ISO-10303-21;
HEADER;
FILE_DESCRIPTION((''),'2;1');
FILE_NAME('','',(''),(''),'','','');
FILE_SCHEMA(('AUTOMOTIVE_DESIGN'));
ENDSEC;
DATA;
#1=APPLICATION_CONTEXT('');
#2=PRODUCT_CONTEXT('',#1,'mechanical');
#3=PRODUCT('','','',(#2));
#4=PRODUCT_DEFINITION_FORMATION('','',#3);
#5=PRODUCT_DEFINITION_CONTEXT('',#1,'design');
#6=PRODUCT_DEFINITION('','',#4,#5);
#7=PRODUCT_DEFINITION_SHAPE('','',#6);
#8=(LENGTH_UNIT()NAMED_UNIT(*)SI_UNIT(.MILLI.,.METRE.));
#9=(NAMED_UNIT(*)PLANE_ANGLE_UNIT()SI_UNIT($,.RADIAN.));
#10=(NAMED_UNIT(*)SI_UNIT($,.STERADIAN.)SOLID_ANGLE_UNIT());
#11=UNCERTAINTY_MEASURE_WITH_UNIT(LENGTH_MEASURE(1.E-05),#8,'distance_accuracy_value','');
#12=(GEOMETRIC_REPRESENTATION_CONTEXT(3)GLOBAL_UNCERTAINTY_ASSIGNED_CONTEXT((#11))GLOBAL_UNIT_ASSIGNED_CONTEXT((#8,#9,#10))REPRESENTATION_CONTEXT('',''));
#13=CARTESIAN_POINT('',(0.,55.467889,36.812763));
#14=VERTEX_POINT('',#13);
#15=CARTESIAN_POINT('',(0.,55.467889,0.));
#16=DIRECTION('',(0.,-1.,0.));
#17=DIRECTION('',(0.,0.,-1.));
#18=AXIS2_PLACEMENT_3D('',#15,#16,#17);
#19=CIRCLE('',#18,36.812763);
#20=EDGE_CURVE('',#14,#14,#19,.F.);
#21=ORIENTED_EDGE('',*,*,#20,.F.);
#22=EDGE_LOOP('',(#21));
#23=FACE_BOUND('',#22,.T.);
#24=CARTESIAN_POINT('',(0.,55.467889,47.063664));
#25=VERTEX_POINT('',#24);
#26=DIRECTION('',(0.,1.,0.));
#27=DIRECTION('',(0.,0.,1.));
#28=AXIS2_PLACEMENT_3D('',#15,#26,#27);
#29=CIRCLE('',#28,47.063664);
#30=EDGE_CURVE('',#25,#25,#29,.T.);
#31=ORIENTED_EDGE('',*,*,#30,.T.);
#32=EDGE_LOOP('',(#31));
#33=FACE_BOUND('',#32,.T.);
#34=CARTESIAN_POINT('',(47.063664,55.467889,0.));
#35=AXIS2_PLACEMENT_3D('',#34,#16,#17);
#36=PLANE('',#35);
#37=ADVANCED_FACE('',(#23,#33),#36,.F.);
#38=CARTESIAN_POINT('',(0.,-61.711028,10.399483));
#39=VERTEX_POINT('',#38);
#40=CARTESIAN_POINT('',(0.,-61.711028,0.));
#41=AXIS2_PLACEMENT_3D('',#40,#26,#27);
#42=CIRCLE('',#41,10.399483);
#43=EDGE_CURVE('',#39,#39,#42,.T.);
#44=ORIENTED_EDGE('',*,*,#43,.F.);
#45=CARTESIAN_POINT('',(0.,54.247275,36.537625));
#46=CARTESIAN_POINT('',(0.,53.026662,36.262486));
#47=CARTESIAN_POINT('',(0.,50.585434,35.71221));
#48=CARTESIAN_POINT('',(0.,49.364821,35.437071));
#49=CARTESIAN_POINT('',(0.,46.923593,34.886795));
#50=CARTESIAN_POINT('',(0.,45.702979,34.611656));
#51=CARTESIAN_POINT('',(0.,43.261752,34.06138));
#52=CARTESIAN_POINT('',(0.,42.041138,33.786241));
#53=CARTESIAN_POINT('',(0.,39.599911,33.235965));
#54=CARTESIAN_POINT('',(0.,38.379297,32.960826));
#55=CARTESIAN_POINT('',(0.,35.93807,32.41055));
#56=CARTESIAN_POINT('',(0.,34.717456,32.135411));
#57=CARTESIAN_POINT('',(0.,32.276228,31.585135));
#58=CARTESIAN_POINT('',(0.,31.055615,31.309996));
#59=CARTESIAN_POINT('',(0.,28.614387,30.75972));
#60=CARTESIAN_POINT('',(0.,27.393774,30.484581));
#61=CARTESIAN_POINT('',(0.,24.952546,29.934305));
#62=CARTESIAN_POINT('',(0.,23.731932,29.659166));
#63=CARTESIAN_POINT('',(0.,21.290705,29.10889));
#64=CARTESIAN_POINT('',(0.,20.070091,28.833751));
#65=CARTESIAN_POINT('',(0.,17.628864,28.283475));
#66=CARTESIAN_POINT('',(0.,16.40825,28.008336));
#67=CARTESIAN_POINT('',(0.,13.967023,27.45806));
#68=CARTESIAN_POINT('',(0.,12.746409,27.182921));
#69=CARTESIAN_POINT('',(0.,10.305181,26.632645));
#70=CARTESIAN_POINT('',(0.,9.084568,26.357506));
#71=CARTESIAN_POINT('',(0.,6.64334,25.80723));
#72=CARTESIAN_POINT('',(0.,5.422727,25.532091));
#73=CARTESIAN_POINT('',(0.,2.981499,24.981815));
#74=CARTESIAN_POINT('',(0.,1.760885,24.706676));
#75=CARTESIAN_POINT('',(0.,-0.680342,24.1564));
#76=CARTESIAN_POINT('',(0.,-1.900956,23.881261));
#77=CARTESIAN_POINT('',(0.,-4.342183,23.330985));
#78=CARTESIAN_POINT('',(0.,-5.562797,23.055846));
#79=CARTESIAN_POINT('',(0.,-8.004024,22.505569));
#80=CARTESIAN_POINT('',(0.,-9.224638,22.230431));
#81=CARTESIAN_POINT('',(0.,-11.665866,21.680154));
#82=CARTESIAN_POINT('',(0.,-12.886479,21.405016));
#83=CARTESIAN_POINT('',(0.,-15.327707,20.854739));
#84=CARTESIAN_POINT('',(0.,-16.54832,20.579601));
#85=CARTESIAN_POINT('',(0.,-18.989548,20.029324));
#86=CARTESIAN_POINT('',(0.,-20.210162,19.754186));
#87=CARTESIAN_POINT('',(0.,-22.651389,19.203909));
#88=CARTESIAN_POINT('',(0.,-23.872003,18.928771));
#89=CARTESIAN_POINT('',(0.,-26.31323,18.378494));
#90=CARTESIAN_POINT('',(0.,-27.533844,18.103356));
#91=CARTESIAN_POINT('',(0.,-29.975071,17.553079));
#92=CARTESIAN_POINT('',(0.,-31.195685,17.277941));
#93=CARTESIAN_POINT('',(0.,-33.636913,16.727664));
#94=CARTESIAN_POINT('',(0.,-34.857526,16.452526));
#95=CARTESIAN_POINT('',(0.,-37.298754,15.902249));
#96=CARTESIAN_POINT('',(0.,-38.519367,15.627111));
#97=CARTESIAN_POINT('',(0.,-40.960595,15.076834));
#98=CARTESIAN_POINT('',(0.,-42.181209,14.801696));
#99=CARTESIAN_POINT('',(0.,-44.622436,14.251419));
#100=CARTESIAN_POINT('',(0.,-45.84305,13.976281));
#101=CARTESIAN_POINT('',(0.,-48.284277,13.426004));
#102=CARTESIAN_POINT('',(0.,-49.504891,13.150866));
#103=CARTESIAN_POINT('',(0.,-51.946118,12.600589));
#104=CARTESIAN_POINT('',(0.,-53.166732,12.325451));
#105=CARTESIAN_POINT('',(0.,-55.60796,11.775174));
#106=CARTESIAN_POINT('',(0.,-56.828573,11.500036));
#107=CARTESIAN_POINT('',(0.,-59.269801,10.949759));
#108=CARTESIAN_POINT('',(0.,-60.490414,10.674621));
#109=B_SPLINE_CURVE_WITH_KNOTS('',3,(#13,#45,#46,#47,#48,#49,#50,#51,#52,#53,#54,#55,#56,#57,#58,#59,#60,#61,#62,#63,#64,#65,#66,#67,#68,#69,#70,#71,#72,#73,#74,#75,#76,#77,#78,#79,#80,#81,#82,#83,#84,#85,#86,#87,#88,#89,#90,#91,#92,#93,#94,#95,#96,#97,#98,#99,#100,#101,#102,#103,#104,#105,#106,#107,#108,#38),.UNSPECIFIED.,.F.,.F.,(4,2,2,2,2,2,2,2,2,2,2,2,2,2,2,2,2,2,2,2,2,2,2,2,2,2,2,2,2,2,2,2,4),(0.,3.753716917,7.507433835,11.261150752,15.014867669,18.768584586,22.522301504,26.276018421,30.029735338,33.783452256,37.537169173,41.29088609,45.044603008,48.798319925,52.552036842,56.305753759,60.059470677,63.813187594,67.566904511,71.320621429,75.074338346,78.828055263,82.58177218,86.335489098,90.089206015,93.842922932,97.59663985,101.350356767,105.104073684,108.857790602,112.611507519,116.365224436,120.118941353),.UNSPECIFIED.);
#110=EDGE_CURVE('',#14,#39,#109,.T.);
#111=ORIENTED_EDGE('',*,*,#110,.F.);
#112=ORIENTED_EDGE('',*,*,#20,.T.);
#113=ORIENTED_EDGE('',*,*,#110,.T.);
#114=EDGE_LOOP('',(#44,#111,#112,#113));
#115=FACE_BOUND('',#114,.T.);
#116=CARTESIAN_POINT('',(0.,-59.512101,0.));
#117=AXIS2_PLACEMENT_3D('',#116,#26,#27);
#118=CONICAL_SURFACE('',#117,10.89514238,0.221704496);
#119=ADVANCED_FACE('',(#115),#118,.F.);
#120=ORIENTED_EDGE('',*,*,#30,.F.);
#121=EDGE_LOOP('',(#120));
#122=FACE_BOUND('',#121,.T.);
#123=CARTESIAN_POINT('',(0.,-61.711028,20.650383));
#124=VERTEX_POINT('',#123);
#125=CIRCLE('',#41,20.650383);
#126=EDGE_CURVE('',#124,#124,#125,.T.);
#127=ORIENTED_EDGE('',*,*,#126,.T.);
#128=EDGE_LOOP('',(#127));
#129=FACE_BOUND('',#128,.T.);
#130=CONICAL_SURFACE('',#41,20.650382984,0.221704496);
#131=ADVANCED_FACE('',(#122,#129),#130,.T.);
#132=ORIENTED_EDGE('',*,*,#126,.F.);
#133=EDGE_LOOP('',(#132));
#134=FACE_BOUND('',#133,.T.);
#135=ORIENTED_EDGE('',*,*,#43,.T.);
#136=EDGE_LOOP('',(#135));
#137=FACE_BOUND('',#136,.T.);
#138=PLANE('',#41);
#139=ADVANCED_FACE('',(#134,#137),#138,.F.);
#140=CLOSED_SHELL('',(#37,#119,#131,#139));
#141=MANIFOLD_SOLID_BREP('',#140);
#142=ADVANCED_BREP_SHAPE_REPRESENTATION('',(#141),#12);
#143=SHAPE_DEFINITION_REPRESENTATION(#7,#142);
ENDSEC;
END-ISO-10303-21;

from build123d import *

# Parameters (mm, degrees)
VACIADO1_T = -10


with BuildPart() as part:
    # Croquis1 → Revolución1 (revolve)
    with BuildSketch(Plane.XY, mode=Mode.PRIVATE) as revoluci_n1_sk:
        Polygon((0, 55.467889177), (0, -61.711028218), (20.650382984, -61.711028218), (47.063663544, 55.467889177), align=None)
    revolve(revoluci_n1_sk.sketch.rotate(Axis((0, 55.467889177, 0), (0, -1, 0)), 90), axis=Axis((0, 55.467889177, 0), (0, -1, 0)))

    # Vaciado1
    vaciado1_openings = [part.faces().sort_by_distance(p)[0] for p in [
        (0, -61.711028218, 0),
        (0, 55.467889177, 0),
    ]]
    offset(amount=VACIADO1_T, openings=vaciado1_openings, kind=Kind.INTERSECTION)


solid = part.part
